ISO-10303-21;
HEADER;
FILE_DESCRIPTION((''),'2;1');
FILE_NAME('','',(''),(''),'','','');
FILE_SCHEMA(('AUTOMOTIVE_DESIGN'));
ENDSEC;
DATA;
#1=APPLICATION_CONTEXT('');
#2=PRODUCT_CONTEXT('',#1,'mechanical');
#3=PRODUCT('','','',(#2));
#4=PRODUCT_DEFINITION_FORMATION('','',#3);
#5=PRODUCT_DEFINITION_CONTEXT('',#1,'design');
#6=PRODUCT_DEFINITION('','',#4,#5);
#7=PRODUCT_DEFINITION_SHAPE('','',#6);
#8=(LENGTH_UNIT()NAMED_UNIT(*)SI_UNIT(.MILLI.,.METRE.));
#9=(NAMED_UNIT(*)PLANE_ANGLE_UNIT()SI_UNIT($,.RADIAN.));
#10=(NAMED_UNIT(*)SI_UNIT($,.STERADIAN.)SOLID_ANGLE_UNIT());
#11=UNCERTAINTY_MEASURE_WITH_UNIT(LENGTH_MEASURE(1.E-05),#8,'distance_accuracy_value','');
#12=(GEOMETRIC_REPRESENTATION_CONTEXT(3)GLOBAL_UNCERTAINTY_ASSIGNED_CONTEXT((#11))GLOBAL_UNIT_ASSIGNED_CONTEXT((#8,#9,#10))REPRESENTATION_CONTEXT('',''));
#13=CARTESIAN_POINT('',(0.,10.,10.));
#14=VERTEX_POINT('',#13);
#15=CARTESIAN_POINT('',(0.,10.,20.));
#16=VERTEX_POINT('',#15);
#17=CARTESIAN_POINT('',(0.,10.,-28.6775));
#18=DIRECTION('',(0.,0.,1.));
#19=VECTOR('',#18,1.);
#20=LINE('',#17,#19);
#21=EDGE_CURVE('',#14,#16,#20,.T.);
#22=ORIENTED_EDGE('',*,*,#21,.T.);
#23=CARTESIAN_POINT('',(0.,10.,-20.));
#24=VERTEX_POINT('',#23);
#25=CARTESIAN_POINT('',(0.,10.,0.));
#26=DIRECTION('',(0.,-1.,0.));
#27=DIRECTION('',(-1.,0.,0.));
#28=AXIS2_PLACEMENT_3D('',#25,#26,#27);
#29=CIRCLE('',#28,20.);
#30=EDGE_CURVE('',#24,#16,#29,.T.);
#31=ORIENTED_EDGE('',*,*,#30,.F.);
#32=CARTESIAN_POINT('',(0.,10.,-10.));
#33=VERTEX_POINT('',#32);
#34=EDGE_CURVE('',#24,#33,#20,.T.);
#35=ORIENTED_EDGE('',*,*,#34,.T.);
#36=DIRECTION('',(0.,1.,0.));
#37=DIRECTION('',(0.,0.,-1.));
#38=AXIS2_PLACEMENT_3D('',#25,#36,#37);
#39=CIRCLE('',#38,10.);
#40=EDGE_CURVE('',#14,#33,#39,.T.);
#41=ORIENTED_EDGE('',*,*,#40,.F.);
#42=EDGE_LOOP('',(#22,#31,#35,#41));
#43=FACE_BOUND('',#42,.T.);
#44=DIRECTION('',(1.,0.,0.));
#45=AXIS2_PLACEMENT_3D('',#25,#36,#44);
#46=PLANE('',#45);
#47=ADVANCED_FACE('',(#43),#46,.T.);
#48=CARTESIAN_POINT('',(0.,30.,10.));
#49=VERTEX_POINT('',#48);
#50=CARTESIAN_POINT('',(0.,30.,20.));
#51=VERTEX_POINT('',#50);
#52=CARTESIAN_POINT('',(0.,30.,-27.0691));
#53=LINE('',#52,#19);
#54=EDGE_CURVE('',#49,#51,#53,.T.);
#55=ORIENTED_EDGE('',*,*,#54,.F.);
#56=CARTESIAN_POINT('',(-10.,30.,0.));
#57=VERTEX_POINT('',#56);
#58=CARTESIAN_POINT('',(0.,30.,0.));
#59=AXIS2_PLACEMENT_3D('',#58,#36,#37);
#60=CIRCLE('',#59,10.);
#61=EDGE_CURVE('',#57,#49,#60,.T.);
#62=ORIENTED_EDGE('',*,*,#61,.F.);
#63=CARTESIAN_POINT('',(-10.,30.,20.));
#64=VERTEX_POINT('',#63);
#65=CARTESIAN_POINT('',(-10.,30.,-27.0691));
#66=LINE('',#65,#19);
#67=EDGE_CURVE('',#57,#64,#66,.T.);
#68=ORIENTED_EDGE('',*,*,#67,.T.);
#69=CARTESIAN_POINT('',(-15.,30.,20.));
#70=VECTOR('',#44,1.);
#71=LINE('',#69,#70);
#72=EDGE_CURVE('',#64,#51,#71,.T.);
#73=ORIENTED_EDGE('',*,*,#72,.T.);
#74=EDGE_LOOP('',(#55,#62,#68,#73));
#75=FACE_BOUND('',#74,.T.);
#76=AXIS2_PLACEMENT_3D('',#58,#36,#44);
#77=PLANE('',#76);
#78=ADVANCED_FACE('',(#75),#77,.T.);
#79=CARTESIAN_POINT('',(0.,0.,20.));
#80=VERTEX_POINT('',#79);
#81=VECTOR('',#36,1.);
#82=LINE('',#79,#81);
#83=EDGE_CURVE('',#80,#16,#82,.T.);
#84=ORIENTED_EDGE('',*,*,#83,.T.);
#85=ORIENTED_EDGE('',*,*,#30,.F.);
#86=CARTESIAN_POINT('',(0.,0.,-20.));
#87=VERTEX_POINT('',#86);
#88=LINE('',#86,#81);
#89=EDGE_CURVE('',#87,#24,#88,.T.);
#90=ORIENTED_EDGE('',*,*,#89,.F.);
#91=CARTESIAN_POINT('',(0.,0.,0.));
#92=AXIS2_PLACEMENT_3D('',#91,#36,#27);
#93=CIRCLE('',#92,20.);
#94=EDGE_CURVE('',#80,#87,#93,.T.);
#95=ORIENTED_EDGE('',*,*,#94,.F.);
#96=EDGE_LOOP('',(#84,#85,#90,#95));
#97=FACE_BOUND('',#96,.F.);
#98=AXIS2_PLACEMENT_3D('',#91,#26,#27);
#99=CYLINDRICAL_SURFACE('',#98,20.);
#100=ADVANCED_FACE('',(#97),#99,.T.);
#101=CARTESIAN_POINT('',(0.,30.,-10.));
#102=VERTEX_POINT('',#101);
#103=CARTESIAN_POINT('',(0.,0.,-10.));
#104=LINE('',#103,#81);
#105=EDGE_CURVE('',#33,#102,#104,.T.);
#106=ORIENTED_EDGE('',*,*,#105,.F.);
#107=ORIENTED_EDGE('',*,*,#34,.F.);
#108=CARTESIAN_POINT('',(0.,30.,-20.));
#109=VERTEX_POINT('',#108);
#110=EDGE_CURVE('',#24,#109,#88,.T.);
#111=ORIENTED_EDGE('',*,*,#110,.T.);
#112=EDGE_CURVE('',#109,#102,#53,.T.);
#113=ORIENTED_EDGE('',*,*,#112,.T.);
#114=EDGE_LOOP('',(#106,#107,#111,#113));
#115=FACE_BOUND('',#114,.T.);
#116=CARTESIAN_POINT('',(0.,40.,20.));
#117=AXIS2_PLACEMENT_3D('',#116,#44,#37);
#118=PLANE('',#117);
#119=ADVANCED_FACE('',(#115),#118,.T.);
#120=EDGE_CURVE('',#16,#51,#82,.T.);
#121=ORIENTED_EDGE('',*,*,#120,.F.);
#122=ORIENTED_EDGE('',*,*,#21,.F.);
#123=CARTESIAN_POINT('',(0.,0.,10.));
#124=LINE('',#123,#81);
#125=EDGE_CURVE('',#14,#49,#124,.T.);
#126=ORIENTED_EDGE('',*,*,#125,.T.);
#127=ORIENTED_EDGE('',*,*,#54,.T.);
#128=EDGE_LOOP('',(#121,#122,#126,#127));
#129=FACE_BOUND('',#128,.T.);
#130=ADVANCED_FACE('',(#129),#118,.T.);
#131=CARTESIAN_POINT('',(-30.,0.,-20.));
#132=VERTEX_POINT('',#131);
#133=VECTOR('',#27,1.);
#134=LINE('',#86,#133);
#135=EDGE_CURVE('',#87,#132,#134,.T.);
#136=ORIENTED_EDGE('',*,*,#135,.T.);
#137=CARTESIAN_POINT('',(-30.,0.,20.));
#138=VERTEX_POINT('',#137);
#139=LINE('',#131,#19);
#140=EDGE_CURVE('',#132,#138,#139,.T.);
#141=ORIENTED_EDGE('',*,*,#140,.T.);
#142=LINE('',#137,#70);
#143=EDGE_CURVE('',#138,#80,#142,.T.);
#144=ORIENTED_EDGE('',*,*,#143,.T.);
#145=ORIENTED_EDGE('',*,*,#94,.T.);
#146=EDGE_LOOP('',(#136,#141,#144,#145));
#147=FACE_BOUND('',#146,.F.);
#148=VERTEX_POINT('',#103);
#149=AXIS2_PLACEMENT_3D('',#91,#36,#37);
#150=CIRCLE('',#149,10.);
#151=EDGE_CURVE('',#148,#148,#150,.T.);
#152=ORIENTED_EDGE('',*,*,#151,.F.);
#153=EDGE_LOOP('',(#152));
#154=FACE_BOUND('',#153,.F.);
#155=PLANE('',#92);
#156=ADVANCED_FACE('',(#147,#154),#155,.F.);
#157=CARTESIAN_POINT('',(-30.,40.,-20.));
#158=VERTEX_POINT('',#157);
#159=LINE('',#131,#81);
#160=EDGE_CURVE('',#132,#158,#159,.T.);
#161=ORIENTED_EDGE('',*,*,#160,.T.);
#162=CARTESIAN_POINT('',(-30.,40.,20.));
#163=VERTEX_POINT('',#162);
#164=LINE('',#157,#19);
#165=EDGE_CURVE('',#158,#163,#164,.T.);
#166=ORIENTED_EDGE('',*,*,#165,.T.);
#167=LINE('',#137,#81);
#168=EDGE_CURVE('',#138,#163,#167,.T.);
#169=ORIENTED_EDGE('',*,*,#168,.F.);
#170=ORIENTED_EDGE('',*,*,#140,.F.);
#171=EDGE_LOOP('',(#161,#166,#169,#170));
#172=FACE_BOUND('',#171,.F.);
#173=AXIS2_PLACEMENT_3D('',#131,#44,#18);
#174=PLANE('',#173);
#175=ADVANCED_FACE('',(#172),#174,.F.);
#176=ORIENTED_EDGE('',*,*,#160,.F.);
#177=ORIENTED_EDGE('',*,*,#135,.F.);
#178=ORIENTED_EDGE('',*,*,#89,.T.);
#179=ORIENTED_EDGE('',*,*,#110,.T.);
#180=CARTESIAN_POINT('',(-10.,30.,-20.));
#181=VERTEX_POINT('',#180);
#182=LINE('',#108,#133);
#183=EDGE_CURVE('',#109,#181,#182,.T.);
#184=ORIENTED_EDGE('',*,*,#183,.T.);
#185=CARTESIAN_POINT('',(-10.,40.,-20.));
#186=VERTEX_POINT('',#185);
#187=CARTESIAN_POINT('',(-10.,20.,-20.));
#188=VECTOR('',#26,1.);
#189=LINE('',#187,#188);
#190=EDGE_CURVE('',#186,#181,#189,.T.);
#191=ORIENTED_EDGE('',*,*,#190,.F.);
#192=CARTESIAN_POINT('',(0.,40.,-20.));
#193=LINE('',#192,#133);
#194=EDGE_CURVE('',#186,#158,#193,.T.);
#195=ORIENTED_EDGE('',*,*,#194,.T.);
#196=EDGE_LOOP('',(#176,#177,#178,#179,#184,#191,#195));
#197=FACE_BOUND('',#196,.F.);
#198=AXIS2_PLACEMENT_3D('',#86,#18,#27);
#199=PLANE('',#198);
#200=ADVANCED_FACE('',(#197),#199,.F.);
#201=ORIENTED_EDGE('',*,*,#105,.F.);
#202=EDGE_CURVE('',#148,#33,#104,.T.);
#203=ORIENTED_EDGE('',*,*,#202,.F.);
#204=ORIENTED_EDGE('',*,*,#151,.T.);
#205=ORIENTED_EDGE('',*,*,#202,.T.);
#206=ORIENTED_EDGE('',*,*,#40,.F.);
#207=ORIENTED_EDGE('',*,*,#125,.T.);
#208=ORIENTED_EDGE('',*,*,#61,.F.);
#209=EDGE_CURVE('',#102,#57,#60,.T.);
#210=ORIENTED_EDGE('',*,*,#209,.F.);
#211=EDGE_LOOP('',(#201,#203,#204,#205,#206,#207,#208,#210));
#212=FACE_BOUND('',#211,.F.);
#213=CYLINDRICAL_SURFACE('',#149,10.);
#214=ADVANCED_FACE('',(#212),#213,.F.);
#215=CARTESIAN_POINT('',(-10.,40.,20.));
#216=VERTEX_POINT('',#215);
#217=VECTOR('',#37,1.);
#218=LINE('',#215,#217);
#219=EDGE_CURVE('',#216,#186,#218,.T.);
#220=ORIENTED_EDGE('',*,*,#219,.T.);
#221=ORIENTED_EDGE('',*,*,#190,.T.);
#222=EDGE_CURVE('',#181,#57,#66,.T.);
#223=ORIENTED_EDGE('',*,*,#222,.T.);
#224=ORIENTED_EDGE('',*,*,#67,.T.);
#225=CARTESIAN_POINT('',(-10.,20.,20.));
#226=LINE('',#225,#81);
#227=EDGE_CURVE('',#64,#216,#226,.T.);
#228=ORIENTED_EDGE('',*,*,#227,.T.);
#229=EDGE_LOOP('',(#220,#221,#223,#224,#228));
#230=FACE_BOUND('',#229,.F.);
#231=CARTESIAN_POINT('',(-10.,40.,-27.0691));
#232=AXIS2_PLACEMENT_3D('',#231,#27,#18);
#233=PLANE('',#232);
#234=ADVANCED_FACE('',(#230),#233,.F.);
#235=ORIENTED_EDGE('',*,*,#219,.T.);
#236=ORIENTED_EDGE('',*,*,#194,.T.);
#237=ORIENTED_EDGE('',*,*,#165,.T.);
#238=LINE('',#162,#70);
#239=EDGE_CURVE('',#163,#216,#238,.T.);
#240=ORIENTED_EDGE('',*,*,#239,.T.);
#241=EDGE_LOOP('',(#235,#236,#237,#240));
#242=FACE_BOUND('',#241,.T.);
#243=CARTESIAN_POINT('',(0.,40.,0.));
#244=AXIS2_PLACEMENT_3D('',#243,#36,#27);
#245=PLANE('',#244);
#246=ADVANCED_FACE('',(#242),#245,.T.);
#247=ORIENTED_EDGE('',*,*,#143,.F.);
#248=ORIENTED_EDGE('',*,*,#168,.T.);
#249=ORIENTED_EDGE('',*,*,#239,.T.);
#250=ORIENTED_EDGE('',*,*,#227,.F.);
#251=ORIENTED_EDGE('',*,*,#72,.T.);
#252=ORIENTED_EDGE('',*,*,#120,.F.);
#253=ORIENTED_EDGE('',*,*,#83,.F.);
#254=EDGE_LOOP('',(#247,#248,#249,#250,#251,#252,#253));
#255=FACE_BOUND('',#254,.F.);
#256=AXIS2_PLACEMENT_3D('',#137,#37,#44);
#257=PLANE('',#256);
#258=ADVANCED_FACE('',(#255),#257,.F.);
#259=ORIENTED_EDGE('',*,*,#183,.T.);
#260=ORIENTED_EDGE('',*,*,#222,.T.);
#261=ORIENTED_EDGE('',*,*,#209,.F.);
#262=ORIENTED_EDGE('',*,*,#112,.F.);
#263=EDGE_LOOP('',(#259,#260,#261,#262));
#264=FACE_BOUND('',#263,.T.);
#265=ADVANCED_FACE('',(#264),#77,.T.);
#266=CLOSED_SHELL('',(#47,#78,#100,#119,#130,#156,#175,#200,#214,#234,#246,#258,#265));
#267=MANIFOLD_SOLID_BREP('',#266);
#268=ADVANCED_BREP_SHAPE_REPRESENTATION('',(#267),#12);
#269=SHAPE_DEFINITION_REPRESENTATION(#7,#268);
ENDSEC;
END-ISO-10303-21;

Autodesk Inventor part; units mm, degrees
ref_plane "YZ Plane" through (0, 0, 0) normal (1, 0, 0) x (0, 1, 0)
ref_plane "XZ Plane" through (0, 0, 0) normal (0, 1, 0) x (-1, 0, 0)
ref_plane "XY Plane" through (0, 0, 0) normal (0, 0, 1) x (1, 0, 0)
sketch "草圖1" plane through (0, 0, 0) normal (0, 1, 0) x (-1, 0, 0)
  circle A0 centre (0, 0) radius 20
  line L0 (0, -20) -> (30, -20)
  line L1 (30, -20) -> (30, 20)
  line L2 (30, 20) -> (0, 20)
  line L3 (0, 20) -> (0, -20)
  point P0 (0, 20)
  dimension "d0" = 40
  dimension "d1" = 30
extrude "擠出1" add sketch "草圖1" along normal blind 40
sketch "草圖2" plane through (0, 40, 0) normal (0, 1, 0) x (1, 0, 0)
  line L0 (-30, 20) -> (0, 20) projected
  arc A0 (0, -20) -> (0, 20) centre (0, 0) ccw projected
  line L1 (0, -20) -> (-30, -20) projected
  line L2 (-30, -20) -> (-30, 20) projected
  line L3 (0, 27.0691) -> (-10, 27.0691)
  line L4 (-10, 27.0691) -> (-10, -29.9758)
  line L5 (-10, -29.9758) -> (0, -29.9758)
  line L6 (0, -29.9758) -> (0, 27.0691)
  dimension "d4" = 20
  dimension "d5" = 10
extrude "擠出2" cut sketch "草圖2" against normal blind 10 contours L4 L3 L6 L0 | L0 L6 L1 L4 | L1 L6 L5 L4
sketch "草圖3" plane through (0, 40, 0) normal (0, 1, 0) x (1, 0, 0)
  line L0 (0, -20) -> (0, 20) projected
  arc A0 (0, -20) -> (0, 20) centre (0, 0) ccw projected
  line L1 (-10, 20) -> (-10, -20) projected
  line L2 (-10, -20) -> (-30, -20) projected
  line L3 (-30, -20) -> (-30, 20) projected
  line L4 (-30, 20) -> (-10, 20) projected
  line L5 (0, -34.6108) -> (30.5971, -34.6108)
  line L6 (30.5971, -34.6108) -> (30.5971, 28.6775)
  line L7 (30.5971, 28.6775) -> (0, 28.6775)
  line L8 (0, 28.6775) -> (0, -34.6108)
  line L9 (0, 20) -> (0, -20) projected
extrude "擠出3" cut sketch "草圖3" against normal blind 30 contours L0 A0 | A0 L8 L7 L6 L5
sketch "草圖4" plane through (0, 0, 0) normal (0, -1, 0) x (1, 0, 0)
  arc A0 (0, -20) -> (0, 20) centre (0, 0) ccw projected
hole "孔1" at (0, 0, 0) direction (0, 1, 0) diameter 20 end through all
properties part number "34" material "鋼、碳鋼"
